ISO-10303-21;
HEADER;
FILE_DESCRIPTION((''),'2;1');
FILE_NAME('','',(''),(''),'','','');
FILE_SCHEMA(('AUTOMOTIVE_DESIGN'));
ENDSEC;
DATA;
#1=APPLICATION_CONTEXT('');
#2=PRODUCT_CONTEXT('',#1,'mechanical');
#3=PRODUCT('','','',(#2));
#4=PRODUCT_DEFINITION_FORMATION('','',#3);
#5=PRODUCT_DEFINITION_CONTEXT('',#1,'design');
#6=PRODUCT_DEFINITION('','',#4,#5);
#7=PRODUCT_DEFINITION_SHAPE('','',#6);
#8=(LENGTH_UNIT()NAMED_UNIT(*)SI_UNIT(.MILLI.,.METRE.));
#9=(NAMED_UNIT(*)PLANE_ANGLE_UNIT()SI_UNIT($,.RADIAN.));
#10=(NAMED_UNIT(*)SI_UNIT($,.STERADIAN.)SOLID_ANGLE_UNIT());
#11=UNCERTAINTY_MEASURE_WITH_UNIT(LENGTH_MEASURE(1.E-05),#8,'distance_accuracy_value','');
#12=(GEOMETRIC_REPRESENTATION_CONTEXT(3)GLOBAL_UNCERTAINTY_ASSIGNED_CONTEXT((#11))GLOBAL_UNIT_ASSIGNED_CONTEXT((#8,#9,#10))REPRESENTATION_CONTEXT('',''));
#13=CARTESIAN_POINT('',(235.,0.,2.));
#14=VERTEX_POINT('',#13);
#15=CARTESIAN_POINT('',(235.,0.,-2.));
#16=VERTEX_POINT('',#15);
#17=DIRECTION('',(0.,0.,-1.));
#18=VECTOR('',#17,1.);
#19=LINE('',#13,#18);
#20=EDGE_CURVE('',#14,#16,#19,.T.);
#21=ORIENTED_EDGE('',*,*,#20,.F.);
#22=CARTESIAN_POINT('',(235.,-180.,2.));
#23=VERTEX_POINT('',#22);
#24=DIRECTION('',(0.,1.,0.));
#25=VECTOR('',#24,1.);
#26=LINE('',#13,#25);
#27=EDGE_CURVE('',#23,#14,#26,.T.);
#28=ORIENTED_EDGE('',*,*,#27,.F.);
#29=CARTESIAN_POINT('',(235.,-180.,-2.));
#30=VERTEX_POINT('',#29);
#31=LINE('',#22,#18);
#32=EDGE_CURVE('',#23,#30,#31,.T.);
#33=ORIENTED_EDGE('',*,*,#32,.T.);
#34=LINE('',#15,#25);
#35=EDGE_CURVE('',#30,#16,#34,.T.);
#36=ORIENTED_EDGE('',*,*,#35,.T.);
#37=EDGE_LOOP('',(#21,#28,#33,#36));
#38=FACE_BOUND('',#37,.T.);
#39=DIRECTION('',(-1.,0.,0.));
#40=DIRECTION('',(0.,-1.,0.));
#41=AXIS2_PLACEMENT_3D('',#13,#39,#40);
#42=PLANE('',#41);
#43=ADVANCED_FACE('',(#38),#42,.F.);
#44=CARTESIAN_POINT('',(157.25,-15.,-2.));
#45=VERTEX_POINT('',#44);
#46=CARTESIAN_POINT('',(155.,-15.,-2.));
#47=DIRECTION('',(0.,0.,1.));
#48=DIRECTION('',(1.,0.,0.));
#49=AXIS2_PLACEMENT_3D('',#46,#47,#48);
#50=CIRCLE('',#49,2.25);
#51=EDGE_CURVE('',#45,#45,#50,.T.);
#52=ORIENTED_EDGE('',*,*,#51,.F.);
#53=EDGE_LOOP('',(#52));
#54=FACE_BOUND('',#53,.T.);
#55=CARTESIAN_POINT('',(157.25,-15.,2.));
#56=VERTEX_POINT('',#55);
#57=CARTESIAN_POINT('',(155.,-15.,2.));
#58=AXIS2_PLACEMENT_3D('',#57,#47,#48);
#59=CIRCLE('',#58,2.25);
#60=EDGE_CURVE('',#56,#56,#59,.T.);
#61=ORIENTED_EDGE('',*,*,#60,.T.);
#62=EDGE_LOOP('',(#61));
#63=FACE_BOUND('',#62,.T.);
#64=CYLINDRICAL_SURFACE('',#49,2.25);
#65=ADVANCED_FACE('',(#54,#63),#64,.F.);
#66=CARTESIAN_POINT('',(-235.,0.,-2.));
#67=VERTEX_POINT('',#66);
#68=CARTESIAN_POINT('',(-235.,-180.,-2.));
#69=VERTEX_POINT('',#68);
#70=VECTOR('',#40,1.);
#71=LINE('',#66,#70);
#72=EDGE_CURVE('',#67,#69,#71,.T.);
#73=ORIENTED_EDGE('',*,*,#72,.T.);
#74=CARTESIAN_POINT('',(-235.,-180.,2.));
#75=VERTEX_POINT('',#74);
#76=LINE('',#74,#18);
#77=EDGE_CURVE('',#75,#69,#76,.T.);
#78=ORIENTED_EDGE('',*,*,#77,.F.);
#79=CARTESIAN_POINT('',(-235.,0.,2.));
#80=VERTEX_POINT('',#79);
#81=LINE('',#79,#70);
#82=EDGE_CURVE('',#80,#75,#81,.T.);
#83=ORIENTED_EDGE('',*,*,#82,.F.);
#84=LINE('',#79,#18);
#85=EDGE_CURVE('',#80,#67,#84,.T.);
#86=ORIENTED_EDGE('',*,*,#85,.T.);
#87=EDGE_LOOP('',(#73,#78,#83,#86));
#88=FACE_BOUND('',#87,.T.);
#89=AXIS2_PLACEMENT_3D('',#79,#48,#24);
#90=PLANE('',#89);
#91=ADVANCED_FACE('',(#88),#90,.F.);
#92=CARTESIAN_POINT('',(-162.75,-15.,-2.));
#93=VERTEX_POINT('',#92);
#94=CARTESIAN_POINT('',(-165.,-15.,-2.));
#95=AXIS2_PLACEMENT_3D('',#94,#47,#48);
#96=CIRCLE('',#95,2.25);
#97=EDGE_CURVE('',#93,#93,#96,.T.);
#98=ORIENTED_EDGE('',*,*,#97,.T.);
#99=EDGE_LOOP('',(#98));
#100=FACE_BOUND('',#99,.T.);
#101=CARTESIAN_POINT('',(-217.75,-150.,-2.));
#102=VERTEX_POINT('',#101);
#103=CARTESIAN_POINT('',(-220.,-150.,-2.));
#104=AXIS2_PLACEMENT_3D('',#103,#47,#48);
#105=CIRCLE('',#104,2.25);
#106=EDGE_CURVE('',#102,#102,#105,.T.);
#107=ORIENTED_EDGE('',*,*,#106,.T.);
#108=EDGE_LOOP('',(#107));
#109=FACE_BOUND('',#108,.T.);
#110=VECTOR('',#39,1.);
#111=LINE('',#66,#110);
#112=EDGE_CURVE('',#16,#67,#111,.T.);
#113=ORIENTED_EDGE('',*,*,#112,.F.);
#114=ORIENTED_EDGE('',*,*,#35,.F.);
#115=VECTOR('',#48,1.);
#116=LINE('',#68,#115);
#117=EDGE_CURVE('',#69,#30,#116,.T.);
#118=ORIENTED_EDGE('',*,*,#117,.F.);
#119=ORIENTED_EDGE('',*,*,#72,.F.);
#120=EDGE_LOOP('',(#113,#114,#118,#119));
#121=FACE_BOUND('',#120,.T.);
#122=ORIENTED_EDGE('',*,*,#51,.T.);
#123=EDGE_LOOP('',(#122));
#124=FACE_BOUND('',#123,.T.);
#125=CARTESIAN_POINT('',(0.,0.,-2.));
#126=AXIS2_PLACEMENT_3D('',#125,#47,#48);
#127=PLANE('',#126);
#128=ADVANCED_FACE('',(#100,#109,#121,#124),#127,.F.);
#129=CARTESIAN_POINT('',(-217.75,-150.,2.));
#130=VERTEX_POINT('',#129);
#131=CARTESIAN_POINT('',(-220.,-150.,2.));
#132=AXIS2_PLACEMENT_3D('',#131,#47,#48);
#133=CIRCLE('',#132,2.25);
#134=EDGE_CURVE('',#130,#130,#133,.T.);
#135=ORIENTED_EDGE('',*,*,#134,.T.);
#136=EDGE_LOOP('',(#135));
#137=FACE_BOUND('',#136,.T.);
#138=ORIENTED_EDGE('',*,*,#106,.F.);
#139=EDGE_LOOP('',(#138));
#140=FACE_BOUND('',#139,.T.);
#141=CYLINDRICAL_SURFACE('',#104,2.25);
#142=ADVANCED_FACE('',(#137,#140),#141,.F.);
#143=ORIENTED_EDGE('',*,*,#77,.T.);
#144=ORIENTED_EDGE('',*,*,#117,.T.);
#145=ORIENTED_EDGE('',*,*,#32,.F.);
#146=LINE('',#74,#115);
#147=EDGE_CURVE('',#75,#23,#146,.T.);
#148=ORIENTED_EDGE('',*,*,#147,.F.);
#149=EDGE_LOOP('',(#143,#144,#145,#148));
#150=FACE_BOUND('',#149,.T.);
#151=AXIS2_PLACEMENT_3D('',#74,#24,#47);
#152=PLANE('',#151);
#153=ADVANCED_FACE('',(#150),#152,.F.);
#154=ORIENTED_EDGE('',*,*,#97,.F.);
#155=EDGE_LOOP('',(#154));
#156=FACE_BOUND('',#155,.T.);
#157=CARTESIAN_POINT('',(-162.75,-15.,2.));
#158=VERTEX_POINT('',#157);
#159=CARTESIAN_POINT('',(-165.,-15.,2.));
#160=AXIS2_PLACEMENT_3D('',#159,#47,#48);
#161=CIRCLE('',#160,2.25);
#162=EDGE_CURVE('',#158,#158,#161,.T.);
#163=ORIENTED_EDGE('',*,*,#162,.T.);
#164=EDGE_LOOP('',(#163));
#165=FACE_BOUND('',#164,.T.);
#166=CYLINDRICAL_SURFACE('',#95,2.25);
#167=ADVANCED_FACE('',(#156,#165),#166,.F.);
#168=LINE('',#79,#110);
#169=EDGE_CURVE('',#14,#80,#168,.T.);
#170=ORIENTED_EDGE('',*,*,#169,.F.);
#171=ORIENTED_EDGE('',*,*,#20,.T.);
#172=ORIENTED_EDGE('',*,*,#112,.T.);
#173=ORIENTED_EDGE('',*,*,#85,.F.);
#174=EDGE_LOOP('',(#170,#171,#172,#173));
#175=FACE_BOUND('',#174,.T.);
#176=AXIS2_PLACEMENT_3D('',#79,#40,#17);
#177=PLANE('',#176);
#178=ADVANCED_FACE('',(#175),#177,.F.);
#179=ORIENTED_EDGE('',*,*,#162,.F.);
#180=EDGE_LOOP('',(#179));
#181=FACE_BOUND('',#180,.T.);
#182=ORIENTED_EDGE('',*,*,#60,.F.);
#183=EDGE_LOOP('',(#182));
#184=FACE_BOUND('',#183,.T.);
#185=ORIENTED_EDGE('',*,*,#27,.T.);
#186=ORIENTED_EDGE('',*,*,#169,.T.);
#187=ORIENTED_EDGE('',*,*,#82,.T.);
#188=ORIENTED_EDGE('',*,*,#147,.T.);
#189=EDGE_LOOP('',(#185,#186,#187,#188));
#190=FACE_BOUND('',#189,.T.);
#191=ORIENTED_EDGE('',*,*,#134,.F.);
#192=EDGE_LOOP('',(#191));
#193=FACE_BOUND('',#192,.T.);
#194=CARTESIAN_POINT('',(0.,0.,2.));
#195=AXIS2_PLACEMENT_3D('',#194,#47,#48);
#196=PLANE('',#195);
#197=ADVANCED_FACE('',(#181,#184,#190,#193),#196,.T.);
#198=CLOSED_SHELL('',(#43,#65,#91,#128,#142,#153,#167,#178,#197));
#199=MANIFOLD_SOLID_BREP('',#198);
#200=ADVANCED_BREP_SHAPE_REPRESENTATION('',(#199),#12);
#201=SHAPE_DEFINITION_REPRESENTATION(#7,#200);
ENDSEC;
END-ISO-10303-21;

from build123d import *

# Parameters (mm, degrees)
SKETCH1_W           = 470
SKETCH1_H           = 180
BOSS_EXTRUDE1_DEPTH = 2
SKETCH2_R           = 2.25
CUT_EXTRUDE1_DEPTH  = 297.042226718


with BuildPart() as part:
    # Sketch1 → Boss-Extrude1 (new, symmetric)
    with BuildSketch(Plane.XY):
        with Locations((0, -90)):
            Rectangle(SKETCH1_W, SKETCH1_H)
    extrude(amount=BOSS_EXTRUDE1_DEPTH, both=True)

    # Sketch2 → Cut-Extrude1 (cut, through all)
    with BuildSketch(Plane.XY.offset(2)):
        with Locations((-165, -15)):
            Circle(SKETCH2_R)
        with Locations((155, -15)):
            Circle(SKETCH2_R)
        with Locations((-220, -150)):
            Circle(SKETCH2_R)
    extrude(amount=-CUT_EXTRUDE1_DEPTH, mode=Mode.SUBTRACT)


solid = part.part
